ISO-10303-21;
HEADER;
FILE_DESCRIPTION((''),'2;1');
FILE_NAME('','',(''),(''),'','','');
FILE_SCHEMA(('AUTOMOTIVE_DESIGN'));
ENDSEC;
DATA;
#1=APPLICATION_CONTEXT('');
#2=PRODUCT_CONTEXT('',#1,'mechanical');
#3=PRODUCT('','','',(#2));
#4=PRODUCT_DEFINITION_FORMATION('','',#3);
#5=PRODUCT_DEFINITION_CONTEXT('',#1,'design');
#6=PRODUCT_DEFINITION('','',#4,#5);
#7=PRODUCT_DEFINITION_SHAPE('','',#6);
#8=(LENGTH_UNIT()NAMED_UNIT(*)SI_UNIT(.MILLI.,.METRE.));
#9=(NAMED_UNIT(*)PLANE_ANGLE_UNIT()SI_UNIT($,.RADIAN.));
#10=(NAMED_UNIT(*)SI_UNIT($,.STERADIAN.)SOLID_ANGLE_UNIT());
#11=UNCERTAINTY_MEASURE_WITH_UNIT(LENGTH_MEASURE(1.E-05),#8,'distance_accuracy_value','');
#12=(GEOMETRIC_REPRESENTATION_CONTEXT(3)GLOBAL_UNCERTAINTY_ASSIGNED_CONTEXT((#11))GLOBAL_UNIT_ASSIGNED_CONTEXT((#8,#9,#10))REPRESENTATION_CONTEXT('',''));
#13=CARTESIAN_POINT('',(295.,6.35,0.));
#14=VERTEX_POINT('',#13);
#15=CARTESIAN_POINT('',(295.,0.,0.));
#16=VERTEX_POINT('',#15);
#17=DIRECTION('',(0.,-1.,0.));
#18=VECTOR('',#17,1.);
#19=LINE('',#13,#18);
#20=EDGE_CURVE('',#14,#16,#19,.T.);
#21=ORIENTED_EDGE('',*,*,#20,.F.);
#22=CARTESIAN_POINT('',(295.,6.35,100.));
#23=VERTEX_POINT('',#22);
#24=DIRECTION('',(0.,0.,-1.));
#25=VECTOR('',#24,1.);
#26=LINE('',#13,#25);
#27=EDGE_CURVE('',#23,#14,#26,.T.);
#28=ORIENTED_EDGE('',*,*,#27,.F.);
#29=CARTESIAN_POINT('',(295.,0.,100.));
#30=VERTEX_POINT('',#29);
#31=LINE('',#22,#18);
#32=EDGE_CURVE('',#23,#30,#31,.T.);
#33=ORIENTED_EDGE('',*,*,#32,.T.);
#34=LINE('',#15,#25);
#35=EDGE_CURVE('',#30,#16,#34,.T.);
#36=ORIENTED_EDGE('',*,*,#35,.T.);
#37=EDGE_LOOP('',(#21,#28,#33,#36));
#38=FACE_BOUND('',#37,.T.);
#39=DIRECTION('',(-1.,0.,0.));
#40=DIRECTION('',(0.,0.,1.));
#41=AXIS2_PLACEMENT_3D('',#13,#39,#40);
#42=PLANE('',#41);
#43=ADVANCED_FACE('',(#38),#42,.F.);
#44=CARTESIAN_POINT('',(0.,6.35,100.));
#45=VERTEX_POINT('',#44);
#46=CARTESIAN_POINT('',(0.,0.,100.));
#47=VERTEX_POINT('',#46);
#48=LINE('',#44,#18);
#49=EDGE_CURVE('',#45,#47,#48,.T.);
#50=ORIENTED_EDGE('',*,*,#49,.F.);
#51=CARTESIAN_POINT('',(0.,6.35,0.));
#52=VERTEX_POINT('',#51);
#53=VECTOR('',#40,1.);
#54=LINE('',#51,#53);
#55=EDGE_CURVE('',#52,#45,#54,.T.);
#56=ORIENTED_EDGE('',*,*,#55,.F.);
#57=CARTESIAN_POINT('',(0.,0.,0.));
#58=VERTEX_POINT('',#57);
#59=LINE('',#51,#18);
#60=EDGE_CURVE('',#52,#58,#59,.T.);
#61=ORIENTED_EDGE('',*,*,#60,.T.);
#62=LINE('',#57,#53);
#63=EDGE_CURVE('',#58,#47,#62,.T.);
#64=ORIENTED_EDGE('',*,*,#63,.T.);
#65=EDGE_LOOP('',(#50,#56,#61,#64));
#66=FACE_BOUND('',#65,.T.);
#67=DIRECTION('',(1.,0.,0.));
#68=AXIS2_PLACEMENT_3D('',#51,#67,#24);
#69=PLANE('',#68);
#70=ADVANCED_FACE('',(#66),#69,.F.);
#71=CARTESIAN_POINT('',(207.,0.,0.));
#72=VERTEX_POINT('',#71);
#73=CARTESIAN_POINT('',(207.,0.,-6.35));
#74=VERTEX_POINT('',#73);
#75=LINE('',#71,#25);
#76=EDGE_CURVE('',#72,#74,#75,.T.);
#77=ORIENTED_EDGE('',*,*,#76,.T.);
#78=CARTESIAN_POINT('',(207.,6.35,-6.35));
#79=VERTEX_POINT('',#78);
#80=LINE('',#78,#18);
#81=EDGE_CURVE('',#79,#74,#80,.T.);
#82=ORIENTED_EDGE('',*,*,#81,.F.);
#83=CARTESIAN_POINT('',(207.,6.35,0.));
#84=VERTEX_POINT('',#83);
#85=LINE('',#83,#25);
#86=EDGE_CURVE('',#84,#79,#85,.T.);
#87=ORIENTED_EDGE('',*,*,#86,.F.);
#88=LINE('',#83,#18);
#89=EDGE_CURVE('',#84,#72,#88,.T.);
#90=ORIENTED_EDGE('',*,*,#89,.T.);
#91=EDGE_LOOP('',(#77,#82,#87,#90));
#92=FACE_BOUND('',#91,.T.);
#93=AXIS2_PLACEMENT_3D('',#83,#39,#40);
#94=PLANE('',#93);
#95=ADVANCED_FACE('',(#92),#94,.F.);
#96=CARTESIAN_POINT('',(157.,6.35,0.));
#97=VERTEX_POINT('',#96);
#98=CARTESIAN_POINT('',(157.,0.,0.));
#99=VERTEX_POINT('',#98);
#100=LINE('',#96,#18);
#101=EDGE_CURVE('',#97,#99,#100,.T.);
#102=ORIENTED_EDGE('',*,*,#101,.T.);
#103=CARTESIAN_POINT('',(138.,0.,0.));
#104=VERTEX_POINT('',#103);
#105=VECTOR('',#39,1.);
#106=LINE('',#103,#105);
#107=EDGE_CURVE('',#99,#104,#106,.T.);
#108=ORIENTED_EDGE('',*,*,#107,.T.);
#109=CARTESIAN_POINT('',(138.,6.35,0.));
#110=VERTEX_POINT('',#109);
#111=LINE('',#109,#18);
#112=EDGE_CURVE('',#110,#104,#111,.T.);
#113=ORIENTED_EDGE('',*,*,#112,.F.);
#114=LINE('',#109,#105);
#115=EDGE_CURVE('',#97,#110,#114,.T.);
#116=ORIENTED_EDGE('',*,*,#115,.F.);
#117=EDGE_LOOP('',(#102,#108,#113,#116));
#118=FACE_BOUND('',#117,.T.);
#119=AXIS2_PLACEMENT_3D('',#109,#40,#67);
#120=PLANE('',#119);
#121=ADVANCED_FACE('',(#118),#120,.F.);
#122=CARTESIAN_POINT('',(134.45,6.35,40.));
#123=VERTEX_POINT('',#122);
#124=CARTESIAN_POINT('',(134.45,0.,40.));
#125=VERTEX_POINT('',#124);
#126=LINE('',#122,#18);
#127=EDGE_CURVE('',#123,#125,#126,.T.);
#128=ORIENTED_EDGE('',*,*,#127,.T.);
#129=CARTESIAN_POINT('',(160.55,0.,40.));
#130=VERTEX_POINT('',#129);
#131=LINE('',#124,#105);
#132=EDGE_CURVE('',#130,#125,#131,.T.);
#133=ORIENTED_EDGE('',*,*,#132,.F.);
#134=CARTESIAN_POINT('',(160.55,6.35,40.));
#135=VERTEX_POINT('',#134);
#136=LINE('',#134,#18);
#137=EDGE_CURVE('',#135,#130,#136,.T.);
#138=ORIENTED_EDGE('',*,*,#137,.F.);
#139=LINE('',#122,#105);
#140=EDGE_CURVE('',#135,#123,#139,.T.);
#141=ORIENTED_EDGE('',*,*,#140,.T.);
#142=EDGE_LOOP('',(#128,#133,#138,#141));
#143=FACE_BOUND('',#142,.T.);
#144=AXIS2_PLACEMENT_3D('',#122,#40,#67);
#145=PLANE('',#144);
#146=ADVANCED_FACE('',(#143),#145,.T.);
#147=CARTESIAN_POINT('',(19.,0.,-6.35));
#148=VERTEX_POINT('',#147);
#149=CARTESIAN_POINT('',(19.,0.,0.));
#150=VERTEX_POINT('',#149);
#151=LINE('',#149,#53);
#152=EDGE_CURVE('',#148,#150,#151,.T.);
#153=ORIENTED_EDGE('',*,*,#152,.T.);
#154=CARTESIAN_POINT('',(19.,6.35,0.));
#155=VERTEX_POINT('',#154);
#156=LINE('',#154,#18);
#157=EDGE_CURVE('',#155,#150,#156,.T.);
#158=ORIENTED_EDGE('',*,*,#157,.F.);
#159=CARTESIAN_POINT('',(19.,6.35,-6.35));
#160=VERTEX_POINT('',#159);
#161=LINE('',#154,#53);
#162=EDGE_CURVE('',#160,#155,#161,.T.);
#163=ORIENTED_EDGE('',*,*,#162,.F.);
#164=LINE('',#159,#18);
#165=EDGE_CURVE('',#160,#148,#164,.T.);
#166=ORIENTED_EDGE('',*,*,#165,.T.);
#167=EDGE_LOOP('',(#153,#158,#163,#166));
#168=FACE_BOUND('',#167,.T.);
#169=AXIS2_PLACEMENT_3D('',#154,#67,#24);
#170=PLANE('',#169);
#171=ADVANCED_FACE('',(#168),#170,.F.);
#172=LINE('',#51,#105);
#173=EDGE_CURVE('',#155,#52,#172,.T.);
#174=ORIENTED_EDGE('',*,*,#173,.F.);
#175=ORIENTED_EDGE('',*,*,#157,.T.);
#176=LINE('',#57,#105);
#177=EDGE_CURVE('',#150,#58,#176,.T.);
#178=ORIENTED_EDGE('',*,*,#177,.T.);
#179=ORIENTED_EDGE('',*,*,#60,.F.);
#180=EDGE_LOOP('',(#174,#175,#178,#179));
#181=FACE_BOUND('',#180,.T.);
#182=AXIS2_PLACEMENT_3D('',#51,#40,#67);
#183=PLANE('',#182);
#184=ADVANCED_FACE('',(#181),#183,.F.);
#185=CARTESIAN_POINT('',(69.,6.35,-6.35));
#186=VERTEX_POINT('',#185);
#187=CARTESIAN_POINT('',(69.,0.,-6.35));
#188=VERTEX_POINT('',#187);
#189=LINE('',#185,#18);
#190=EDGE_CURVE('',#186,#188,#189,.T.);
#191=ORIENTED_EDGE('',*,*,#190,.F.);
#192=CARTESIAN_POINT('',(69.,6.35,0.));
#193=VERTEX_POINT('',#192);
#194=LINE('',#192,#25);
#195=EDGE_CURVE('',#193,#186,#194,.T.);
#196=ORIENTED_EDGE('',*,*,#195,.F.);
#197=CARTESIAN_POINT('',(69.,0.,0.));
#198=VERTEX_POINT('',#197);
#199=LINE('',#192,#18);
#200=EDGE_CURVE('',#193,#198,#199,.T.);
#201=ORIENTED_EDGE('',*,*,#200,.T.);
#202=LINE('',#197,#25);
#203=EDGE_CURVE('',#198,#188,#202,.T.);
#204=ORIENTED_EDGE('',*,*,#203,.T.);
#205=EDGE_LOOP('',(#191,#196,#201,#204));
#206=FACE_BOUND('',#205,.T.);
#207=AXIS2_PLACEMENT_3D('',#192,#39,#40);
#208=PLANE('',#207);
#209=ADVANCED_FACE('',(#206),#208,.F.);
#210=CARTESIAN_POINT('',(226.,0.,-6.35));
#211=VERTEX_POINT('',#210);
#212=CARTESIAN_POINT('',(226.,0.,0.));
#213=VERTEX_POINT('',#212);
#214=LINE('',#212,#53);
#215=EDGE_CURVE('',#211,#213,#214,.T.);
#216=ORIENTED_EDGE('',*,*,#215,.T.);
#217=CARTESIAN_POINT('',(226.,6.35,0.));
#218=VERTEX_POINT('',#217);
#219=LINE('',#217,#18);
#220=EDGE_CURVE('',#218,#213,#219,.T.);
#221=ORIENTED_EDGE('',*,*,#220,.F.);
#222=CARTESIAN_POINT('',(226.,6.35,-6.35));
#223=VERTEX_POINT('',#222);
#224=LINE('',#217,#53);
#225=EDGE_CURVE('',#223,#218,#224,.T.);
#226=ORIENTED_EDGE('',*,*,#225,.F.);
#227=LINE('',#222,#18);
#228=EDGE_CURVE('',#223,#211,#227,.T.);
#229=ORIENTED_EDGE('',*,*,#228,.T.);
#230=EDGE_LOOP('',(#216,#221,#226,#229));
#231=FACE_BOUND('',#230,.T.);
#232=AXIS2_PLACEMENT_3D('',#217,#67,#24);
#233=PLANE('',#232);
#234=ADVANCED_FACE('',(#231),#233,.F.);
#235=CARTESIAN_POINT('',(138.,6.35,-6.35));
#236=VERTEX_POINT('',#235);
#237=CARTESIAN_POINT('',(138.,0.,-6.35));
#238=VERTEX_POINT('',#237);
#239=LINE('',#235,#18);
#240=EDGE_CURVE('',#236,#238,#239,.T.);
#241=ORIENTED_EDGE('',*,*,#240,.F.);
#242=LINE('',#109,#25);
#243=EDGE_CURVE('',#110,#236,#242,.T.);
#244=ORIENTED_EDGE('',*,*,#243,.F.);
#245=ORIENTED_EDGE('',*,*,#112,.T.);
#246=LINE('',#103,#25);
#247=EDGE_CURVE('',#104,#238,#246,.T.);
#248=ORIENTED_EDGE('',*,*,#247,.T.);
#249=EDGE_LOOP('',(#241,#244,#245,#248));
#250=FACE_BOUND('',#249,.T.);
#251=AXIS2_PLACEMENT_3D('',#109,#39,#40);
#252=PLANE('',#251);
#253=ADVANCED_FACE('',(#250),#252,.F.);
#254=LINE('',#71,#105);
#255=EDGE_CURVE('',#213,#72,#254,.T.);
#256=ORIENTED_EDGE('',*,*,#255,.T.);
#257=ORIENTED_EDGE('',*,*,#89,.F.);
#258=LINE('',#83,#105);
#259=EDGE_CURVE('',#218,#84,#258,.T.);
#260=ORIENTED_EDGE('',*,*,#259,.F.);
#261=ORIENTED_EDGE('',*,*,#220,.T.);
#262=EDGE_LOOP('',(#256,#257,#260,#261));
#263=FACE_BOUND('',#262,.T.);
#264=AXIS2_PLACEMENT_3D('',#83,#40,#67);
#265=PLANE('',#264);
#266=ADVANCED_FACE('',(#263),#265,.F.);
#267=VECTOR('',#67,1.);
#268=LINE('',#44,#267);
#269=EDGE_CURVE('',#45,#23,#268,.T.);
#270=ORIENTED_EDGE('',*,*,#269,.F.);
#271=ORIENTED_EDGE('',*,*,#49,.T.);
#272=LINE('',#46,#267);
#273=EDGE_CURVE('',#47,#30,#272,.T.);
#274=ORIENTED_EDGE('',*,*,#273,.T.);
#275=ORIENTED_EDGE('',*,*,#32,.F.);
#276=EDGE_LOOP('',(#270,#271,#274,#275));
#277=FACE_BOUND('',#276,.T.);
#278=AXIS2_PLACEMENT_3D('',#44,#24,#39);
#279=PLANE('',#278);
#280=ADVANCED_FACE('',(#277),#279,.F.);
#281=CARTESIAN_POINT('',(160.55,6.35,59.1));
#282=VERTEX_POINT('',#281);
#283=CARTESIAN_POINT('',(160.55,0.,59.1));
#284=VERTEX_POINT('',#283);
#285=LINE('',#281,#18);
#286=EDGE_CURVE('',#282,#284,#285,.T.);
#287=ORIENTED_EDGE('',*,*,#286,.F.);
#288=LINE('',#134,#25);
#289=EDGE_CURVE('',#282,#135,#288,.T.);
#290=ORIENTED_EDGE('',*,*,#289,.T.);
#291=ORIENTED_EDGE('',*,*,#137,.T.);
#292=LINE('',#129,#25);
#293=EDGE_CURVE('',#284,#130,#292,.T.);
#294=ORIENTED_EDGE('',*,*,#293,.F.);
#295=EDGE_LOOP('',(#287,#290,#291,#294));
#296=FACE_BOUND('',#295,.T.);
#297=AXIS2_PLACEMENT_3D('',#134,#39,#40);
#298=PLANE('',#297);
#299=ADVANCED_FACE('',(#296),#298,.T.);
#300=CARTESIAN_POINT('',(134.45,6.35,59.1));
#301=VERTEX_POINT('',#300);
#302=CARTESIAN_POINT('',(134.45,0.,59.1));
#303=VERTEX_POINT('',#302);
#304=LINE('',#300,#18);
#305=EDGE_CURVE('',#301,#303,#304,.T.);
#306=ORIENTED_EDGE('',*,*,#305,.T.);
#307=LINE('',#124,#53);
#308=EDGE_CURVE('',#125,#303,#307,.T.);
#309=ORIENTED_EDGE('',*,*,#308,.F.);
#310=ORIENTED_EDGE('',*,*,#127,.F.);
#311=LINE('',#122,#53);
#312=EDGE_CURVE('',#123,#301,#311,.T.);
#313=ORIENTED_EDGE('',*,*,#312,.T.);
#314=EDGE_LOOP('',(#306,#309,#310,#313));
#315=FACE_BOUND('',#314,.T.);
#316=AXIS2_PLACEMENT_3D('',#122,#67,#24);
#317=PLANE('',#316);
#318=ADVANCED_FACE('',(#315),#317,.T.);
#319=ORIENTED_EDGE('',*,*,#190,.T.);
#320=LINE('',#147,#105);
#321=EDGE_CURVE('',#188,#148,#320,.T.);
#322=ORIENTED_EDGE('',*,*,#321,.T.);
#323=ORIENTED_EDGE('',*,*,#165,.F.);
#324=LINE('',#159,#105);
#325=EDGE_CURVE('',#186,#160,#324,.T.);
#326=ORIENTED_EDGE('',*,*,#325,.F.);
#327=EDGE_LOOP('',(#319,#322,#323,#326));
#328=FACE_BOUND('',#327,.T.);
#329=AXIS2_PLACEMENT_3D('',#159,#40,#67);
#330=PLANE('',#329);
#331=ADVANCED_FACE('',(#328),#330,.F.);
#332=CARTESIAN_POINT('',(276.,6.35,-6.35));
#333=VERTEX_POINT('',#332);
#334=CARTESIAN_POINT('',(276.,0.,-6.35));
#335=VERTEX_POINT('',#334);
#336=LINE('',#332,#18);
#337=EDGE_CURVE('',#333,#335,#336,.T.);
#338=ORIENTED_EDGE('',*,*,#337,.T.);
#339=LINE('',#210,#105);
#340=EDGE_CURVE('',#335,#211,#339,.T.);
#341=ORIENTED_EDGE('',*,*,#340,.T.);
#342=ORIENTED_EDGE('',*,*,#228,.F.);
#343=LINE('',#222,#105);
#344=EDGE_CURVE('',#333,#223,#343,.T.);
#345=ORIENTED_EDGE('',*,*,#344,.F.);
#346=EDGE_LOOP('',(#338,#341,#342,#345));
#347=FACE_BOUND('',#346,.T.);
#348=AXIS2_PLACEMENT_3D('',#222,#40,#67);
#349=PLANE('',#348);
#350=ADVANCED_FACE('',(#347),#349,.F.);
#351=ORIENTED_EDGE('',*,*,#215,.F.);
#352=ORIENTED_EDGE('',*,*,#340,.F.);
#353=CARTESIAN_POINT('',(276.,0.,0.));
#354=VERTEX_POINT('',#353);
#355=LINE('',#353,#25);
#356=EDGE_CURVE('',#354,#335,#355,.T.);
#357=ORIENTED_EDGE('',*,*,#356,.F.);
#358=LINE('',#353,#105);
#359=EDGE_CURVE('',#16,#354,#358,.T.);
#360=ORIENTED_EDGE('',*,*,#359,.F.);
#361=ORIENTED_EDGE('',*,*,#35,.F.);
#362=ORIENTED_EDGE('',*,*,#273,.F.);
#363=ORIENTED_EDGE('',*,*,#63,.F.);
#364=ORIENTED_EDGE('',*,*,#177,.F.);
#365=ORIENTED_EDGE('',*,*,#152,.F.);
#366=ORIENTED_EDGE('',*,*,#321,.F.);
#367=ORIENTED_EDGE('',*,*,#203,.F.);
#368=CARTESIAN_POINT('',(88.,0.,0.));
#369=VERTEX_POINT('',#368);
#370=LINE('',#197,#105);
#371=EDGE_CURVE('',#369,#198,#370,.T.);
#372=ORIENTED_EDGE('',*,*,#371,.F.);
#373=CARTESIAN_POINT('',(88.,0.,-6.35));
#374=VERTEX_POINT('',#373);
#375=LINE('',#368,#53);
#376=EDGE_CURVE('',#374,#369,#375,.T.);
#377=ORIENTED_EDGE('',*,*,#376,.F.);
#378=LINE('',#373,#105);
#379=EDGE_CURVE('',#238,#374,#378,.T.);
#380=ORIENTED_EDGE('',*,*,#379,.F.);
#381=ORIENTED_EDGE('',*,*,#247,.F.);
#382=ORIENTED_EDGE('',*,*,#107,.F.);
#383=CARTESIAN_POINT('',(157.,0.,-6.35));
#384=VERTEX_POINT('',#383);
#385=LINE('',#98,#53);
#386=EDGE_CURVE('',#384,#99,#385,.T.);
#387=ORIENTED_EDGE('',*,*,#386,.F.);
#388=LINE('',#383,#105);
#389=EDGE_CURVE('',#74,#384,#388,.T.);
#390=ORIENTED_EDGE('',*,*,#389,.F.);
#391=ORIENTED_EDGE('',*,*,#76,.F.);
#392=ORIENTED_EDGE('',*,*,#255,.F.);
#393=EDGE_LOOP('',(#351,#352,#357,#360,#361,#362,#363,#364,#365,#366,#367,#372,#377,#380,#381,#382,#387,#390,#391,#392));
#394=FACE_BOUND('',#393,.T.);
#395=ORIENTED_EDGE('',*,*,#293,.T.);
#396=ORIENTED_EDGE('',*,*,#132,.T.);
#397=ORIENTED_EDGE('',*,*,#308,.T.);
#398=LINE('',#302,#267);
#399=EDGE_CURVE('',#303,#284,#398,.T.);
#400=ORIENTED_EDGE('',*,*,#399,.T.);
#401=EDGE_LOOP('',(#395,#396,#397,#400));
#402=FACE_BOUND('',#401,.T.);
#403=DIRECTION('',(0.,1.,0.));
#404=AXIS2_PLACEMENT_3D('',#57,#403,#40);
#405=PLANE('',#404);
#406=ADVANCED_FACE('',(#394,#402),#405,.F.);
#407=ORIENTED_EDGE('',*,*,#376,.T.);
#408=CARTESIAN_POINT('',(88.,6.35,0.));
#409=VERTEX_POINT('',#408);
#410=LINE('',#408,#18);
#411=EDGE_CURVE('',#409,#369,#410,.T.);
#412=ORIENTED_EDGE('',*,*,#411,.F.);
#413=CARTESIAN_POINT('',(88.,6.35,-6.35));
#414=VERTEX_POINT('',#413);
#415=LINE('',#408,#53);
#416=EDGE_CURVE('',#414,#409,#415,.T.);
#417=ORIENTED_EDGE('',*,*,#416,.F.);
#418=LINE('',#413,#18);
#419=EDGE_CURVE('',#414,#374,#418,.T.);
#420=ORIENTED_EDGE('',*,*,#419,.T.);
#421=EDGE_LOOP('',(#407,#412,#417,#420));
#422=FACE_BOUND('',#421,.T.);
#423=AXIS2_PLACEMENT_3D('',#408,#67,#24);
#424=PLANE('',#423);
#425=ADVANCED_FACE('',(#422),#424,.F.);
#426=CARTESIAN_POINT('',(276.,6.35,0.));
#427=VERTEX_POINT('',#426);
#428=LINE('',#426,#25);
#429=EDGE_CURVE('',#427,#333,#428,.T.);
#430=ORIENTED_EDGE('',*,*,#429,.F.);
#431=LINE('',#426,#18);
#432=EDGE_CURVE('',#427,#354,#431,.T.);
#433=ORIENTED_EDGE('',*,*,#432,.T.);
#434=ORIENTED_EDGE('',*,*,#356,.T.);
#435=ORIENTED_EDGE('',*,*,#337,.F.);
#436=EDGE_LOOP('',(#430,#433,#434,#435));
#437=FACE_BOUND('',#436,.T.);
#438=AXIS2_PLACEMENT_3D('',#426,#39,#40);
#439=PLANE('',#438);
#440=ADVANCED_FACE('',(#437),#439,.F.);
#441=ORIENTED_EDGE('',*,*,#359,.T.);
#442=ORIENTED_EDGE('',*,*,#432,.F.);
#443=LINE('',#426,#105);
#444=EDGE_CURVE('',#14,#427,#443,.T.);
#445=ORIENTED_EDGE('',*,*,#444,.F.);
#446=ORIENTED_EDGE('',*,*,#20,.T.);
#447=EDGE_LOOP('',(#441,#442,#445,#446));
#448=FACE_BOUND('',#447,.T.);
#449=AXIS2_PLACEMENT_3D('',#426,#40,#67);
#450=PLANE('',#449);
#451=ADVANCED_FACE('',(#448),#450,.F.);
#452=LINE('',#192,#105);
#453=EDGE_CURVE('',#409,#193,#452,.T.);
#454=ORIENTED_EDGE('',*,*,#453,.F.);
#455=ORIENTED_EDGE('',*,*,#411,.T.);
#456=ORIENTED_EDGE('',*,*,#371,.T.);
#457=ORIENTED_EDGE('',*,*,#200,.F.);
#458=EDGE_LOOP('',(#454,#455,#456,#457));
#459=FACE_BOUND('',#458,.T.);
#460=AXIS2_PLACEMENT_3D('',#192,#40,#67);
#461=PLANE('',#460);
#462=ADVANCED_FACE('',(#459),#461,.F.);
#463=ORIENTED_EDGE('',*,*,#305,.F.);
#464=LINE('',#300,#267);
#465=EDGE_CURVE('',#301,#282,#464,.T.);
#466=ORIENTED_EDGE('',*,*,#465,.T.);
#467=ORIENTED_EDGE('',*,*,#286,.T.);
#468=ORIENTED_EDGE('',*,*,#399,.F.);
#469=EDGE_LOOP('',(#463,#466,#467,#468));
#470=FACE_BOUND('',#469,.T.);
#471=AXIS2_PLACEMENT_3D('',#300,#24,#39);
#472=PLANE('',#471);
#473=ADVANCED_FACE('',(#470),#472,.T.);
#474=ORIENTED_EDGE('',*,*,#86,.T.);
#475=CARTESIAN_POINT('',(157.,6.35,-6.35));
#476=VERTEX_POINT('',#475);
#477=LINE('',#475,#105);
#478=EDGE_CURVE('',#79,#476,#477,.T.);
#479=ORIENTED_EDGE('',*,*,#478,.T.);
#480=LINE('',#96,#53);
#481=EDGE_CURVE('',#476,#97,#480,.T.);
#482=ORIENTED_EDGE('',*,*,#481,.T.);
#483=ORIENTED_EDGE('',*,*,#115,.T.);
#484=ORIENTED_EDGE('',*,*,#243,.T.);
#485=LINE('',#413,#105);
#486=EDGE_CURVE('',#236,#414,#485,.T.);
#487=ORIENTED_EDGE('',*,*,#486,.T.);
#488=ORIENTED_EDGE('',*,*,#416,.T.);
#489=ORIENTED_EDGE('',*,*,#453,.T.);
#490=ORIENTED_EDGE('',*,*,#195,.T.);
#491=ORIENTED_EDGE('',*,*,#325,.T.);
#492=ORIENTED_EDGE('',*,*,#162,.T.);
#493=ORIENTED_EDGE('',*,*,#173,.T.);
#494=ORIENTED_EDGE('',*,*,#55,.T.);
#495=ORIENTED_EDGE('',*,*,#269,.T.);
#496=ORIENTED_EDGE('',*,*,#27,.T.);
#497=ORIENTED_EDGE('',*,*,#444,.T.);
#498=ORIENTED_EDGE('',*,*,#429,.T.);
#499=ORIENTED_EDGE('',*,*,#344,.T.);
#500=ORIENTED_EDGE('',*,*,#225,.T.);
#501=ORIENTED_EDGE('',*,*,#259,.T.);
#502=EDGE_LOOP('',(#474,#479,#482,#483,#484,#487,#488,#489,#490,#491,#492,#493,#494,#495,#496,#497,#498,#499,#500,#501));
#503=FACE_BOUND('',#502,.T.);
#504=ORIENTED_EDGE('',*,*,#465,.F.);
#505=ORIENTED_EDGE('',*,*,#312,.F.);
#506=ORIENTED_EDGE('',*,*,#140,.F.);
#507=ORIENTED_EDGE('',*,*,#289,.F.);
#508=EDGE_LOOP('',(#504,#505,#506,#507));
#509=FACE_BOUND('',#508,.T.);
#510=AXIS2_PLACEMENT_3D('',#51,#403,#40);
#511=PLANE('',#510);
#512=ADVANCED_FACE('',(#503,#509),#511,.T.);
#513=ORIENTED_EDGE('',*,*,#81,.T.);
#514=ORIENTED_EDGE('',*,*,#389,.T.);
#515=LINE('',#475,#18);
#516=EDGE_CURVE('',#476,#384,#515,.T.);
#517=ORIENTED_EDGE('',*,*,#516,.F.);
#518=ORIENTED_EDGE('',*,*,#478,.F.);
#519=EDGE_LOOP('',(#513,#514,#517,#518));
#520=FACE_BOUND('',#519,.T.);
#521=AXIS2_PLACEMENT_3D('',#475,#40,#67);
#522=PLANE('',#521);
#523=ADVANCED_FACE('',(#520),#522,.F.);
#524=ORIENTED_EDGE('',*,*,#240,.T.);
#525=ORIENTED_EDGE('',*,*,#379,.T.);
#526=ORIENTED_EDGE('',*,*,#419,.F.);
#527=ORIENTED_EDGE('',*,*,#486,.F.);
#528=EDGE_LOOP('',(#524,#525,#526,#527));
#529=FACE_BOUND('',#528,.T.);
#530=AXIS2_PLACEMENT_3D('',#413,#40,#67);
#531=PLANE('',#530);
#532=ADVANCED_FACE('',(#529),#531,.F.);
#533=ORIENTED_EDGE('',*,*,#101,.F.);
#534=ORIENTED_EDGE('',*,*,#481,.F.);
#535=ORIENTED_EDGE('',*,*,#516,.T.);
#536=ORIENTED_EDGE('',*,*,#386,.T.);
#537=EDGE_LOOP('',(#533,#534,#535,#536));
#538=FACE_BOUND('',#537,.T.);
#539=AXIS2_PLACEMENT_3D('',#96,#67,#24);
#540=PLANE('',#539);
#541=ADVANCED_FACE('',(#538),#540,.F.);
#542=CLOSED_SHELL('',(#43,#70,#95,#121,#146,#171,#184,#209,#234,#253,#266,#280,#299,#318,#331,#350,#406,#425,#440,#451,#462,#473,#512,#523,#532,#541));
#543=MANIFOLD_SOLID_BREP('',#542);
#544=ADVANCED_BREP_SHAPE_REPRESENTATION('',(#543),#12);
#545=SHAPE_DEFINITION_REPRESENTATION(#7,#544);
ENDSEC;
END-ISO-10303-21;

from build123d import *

# Parameters (mm, degrees)
SKETCH1_W           = 26.1
SKETCH1_H           = 19.1
BOSS_EXTRUDE1_DEPTH = 6.35


with BuildPart() as part:
    # Sketch1 → Boss-Extrude1 (new body)
    with BuildSketch(Plane(origin=(0, 0, 0), x_dir=(1, 0, 0), z_dir=(0, 1, 0))):
        Polygon((0, 0), (0, -100), (295, -100), (295, 0), (276, 0), (276, 6.35), (226, 6.35), (226, 0), (207, 0), (207, 6.35), (157, 6.35), (157, 0), (138, 0), (138, 6.35), (88, 6.35), (88, 0), (69, 0), (69, 6.35), (19, 6.35), (19, 0), align=None)
        with Locations((147.5, -49.55)):
            Rectangle(SKETCH1_W, SKETCH1_H, mode=Mode.SUBTRACT)
    extrude(amount=BOSS_EXTRUDE1_DEPTH)


solid = part.part
